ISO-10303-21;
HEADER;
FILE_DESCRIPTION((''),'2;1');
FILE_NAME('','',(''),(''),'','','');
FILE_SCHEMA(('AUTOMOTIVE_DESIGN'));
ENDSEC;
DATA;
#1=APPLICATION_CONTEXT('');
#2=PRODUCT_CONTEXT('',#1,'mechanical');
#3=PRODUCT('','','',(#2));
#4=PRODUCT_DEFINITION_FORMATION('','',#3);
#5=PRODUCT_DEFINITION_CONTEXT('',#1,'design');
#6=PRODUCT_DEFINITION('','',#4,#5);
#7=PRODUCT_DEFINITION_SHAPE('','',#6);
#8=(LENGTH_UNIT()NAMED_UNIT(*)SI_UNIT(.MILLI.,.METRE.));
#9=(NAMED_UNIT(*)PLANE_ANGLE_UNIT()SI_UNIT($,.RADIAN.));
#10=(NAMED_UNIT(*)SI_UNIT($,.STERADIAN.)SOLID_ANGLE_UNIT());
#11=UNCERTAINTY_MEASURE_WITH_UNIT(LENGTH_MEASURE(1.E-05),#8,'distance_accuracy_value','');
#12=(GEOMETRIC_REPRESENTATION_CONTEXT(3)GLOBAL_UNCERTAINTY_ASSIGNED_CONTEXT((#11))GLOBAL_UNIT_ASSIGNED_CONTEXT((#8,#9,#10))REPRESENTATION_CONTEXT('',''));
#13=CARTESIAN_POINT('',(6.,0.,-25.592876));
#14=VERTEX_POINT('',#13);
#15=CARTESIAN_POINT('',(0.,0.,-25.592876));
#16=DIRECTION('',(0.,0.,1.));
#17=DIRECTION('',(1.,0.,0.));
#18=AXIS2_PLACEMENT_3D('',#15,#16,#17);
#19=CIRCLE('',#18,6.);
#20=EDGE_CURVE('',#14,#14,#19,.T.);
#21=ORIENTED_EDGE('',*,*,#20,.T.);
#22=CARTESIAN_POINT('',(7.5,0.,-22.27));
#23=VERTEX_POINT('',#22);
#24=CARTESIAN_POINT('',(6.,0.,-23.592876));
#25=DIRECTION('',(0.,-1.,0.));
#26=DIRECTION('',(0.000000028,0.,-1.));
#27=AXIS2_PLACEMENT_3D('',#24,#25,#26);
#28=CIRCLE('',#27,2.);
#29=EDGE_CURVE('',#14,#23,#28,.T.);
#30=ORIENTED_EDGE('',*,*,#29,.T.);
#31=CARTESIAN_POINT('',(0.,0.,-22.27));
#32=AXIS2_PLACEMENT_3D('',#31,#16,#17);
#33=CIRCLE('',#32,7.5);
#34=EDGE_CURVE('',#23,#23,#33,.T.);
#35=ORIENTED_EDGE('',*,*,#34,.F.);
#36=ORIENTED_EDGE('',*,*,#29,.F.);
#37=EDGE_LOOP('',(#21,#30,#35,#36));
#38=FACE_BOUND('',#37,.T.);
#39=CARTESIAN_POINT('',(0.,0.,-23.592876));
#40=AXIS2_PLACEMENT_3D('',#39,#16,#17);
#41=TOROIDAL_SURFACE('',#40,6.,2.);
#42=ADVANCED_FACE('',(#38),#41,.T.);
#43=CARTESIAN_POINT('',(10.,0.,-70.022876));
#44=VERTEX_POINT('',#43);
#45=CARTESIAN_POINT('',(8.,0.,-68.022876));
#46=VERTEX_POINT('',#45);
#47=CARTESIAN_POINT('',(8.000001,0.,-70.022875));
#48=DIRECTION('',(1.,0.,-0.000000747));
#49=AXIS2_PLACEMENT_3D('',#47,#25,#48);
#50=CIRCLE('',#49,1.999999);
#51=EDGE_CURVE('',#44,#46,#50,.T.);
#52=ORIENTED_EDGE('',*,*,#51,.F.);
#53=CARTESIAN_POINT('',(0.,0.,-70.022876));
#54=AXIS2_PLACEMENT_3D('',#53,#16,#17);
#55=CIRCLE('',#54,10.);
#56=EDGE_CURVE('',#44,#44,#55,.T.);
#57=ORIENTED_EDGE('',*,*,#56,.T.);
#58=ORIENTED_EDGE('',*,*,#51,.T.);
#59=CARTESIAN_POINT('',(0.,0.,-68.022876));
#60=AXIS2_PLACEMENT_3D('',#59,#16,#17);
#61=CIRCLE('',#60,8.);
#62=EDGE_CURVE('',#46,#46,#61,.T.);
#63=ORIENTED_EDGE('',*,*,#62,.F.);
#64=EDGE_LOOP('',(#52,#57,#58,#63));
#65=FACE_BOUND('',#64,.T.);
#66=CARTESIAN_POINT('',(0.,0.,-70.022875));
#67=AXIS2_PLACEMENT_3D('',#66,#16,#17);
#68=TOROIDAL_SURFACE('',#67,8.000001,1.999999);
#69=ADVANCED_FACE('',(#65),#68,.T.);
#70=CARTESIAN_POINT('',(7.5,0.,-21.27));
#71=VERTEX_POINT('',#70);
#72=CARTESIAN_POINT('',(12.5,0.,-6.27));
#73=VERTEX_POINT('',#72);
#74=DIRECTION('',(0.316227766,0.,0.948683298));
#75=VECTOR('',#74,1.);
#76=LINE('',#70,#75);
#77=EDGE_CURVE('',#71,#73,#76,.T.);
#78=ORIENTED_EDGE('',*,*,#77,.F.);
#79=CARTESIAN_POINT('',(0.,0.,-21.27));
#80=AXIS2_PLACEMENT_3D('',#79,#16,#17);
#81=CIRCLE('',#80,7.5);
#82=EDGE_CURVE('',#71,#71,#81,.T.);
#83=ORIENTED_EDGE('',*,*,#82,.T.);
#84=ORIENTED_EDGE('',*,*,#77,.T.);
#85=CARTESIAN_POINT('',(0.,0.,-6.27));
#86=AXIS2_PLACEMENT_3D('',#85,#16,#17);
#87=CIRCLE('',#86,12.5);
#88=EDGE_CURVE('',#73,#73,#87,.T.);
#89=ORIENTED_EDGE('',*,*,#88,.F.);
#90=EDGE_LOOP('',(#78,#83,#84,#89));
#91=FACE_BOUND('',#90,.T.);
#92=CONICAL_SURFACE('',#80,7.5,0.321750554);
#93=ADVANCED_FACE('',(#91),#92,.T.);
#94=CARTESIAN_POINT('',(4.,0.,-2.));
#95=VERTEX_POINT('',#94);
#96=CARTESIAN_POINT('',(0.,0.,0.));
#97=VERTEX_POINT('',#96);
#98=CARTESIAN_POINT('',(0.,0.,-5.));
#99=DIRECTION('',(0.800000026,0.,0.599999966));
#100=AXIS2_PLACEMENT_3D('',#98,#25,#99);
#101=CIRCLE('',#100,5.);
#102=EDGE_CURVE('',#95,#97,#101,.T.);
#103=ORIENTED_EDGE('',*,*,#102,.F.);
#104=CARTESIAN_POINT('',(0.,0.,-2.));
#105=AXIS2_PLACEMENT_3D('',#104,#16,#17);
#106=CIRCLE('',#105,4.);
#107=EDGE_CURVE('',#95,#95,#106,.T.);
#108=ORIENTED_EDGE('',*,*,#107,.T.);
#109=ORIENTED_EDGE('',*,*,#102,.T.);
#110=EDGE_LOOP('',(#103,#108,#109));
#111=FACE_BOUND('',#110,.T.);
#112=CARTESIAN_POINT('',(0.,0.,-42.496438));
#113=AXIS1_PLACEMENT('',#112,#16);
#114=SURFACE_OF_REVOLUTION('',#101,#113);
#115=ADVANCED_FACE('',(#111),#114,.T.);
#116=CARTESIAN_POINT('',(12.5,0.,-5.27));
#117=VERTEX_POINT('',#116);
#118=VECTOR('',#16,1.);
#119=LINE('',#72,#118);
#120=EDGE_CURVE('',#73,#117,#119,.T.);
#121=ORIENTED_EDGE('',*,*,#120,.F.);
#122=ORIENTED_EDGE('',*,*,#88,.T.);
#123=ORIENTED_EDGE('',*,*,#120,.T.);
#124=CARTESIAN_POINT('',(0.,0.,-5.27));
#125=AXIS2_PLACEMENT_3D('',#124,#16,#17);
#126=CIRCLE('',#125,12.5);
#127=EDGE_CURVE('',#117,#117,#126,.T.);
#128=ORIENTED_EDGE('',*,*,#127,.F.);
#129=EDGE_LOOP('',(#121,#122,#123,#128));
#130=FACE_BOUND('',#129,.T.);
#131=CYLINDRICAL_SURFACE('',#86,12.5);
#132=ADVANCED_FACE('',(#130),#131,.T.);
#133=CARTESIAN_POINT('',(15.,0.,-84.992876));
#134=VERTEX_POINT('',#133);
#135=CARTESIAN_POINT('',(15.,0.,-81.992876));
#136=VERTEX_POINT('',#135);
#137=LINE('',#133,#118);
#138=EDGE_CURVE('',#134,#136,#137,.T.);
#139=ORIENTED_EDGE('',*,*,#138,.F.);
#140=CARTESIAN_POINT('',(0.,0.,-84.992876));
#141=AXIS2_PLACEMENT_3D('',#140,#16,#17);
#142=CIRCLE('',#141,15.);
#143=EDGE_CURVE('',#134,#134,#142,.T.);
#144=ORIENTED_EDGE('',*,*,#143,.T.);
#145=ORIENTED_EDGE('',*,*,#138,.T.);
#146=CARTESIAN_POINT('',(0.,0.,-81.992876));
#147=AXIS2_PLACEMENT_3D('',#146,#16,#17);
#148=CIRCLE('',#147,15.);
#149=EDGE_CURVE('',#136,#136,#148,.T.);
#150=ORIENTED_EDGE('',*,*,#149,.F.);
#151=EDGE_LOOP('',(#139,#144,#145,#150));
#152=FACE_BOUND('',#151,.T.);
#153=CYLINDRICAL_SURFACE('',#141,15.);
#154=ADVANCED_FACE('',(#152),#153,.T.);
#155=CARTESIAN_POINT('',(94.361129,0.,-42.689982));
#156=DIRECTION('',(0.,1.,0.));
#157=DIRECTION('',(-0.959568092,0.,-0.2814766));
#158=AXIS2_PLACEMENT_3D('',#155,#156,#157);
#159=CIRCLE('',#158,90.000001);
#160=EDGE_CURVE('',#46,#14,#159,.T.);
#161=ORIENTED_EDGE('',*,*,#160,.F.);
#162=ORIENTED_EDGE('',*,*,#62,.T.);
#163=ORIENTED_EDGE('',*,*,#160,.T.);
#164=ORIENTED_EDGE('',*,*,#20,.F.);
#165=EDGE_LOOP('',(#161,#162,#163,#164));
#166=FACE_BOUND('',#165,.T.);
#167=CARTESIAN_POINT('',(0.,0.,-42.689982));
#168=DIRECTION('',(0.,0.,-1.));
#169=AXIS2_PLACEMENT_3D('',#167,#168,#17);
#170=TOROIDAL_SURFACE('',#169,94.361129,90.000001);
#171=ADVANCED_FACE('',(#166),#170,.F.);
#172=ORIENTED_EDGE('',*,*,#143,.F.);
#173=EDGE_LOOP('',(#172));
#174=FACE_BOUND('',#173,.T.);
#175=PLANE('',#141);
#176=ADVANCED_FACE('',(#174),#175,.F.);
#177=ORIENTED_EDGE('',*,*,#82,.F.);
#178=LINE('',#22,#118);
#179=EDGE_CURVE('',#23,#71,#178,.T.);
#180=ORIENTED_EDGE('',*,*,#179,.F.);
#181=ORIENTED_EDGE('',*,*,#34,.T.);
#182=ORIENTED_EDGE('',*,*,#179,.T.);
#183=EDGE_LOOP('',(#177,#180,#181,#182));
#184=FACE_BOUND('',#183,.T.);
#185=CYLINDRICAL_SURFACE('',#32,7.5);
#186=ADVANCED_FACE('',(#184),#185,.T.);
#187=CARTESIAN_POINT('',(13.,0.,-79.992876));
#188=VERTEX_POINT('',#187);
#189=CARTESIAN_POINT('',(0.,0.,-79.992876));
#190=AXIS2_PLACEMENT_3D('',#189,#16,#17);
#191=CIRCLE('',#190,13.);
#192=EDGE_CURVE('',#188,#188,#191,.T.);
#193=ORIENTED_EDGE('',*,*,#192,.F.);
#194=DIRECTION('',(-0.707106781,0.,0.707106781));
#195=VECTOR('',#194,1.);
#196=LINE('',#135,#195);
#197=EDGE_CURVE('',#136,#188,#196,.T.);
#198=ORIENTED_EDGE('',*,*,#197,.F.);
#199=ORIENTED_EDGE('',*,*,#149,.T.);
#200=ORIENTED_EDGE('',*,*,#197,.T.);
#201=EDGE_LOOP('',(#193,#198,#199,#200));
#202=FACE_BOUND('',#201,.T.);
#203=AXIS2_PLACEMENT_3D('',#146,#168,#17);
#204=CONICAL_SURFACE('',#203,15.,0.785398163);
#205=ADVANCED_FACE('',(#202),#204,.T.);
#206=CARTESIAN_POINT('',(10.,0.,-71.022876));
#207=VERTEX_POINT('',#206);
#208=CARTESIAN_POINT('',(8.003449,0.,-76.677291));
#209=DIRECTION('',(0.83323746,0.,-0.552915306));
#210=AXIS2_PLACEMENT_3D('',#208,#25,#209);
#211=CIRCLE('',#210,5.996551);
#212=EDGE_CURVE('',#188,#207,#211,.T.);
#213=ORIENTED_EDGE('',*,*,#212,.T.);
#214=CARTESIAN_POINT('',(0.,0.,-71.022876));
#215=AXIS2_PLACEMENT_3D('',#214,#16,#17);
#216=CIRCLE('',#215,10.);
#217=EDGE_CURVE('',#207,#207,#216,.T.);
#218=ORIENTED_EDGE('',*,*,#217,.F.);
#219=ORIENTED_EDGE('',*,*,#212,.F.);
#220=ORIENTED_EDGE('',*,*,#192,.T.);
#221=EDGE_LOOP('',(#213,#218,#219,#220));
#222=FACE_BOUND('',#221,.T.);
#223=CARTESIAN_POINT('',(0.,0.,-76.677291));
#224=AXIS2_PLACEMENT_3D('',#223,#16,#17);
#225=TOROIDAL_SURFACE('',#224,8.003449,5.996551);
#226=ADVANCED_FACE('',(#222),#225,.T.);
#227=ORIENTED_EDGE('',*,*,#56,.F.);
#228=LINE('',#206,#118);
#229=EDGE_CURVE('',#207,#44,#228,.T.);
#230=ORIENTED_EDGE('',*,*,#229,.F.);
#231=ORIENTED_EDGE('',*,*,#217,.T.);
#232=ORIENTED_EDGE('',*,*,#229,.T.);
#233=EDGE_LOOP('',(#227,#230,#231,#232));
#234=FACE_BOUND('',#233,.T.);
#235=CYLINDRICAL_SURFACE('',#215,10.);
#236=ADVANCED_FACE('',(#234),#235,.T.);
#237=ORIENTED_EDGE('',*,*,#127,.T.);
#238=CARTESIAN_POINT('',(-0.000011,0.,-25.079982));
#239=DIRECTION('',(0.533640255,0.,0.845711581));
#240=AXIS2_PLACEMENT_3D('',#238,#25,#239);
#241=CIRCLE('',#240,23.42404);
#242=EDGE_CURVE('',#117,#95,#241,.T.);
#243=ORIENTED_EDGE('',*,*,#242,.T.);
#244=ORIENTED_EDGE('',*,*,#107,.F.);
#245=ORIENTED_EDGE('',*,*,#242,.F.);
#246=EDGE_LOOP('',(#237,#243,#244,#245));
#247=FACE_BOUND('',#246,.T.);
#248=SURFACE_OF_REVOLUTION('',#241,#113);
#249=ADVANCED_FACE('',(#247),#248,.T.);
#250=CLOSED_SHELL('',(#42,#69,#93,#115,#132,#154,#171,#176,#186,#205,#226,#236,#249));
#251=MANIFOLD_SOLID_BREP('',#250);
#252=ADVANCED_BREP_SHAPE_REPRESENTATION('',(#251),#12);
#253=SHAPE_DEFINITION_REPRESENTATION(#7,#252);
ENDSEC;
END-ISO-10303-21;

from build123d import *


with BuildPart() as f1:
    # F0 (on Front) → F1 (revolve)
    with BuildSketch(Plane.XZ):
        with BuildLine():
            ThreePointArc((12.5, -5.27), (8.410453, -3.21792), (4, -2))
            ThreePointArc((4, -2), (2.236068, -0.527864), (0, 0))
            Line((0, 0), (0, -84.992876))
            Line((0, -84.992876), (15, -84.992876))
            Line((15, -84.992876), (15, -81.992876))
            Line((15, -81.992876), (13, -79.992876))
            ThreePointArc((13, -79.992876), (13.690372, -74.77531), (10, -71.022876))
            Line((10, -71.022876), (10, -70.022876))
            ThreePointArc((10, -70.022876), (9.414214, -68.608662), (8, -68.022876))
            ThreePointArc((8, -68.022876), (4.460945, -46.927558), (6, -25.592876))
            ThreePointArc((6, -25.592876), (7.822876, -24.415751), (7.5, -22.27))
            Line((7.5, -22.27), (7.5, -21.27))
            Line((7.5, -21.27), (12.5, -6.27))
            Line((12.5, -6.27), (12.5, -5.27))
        make_face()
    revolve(axis=Axis((0, 0, -42.496438), (0, 0, 1)))


solid = f1.part
